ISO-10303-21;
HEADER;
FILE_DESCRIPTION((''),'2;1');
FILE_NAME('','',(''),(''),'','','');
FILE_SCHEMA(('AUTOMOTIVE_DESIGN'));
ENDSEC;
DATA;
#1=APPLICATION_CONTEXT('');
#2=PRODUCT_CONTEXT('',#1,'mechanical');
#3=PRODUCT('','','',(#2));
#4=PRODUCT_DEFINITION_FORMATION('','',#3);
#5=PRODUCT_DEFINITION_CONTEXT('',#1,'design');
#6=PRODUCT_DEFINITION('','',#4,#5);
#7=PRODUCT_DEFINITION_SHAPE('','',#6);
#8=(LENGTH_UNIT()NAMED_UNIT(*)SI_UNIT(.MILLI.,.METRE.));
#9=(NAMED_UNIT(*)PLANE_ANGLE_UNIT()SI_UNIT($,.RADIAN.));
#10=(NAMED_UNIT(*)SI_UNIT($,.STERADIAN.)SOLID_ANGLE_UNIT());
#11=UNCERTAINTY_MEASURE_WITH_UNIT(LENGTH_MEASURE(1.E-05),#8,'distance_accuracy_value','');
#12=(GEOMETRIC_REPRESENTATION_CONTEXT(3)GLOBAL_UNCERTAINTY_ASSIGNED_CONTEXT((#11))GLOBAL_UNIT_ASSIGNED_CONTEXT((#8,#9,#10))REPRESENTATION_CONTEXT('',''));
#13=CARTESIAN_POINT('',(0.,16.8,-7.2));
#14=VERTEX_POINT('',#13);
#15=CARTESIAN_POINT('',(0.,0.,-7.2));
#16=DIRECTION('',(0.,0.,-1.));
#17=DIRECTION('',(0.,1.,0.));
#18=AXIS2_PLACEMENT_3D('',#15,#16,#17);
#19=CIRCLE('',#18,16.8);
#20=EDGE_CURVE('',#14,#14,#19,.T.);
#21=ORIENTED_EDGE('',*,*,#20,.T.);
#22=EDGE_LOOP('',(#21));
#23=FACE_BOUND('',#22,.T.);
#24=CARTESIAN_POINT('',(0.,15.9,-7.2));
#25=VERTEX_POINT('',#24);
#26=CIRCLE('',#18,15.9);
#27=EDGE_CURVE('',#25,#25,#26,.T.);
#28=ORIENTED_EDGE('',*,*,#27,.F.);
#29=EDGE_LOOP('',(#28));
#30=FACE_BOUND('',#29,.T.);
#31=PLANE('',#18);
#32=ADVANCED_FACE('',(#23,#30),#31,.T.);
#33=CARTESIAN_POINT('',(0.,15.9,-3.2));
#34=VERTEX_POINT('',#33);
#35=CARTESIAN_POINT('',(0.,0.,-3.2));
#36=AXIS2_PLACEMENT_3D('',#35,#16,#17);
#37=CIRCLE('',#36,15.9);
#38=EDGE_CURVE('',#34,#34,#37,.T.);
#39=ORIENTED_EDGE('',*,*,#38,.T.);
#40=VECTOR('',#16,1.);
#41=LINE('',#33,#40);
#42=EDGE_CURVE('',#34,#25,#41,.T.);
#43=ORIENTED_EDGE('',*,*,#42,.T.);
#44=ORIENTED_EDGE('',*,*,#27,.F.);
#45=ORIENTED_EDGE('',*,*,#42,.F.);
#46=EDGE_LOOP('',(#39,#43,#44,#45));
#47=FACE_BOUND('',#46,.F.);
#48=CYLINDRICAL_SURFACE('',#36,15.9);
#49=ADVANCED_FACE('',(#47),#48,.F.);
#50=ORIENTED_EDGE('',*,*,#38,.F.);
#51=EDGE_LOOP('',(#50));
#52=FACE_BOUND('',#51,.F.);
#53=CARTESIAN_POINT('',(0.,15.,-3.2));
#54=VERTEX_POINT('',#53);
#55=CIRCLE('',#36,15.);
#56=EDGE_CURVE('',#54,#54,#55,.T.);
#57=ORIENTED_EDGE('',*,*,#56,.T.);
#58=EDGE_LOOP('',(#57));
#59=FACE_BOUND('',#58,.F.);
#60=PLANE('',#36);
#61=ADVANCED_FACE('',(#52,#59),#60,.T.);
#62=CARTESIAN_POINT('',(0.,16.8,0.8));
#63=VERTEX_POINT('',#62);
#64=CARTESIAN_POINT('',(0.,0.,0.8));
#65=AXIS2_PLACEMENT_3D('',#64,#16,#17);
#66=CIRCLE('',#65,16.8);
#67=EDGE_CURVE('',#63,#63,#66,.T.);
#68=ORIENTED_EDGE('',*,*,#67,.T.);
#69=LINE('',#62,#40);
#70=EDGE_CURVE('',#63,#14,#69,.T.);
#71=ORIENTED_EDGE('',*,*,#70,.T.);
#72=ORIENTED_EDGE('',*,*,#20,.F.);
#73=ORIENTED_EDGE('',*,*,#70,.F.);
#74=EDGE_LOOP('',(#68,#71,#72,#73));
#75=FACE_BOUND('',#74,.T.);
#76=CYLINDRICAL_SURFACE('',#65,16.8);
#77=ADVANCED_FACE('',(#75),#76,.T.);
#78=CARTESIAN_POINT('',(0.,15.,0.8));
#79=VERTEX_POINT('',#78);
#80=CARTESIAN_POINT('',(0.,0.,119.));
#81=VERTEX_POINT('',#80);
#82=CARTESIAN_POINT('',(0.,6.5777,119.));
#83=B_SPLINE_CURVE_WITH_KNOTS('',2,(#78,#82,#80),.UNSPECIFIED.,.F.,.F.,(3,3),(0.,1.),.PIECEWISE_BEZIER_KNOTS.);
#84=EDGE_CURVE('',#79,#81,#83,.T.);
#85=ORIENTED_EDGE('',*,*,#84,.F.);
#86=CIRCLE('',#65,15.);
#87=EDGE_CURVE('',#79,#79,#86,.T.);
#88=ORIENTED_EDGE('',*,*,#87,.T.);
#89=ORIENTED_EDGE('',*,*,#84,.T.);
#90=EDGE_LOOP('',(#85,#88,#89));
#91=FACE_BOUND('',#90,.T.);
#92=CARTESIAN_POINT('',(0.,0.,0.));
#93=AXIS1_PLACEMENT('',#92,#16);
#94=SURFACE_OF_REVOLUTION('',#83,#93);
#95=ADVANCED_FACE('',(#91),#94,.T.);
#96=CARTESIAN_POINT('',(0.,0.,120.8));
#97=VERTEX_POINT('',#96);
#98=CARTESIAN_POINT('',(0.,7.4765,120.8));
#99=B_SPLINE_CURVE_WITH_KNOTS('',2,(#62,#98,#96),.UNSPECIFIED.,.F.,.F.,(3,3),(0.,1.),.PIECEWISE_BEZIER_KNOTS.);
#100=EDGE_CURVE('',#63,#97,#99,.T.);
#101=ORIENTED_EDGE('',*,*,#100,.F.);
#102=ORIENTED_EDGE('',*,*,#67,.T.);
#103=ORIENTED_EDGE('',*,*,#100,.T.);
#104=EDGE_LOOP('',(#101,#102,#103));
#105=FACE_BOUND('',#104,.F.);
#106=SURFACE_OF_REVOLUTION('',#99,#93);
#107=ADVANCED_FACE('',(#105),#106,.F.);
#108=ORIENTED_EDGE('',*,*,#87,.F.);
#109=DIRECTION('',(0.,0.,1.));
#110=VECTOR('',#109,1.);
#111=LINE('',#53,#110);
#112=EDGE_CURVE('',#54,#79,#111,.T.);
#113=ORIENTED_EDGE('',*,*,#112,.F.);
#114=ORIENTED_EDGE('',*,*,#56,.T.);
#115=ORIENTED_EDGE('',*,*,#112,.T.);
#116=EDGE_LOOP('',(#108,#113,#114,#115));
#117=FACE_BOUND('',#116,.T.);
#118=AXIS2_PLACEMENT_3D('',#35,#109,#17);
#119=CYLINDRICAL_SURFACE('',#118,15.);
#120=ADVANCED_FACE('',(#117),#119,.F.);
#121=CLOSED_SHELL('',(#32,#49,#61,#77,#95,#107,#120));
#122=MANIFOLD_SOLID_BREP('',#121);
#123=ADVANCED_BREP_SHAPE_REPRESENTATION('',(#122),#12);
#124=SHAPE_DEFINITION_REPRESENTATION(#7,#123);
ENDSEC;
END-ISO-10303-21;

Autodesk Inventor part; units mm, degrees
ref_plane "YZ Plane" through (0, 0, 0) normal (1, 0, 0) x (0, 1, 0)
ref_plane "XZ Plane" through (0, 0, 0) normal (0, 1, 0) x (-1, 0, 0)
ref_plane "XY Plane" through (0, 0, 0) normal (0, 0, 1) x (1, 0, 0)
sketch "Sketch1" plane through (0, 0, 0) normal (1, 0, 0) x (0, 1, 0)
  spline S0 degree 2 poles (16.8, 0.8) (7.4765, 120.8) (0, 120.8) knots 0 0 0 1 1 1
  spline S1 degree 2 poles (15, 0.8) (6.5777, 119) (0, 119) knots 0 0 0 1 1 1
  line L0 (0, 147.71) -> (0, -33.9517) projected
  line L1 (0, 120.8) -> (0, 119)
  line L2 (0.9491, 119) -> (-0.9491, 119) construction
  line L3 (1.0883, 120.8) -> (-1.0883, 120.8) construction
  line L4 (16.8, 0.8) -> (16.8, -7.2)
  line L5 (16.8, -7.2) -> (15.9, -7.2)
  line L6 (15, -3.2) -> (15, 0.8)
  line L7 (15, -3.2) -> (15.9, -3.2)
  line L8 (15.9, -3.2) -> (15.9, -7.2)
  point P0 (0, 118.2679)
  point P1 (0.527, 117.976)
  point P2 (-1.0599, 118.5496)
  point P3 (0, 119.8684)
  point P4 (0.6361, 119.749)
  point P5 (-1.1427, 120.3492)
  dimension "d62" = 15
  dimension "d64" = 118.2
  dimension "d65" = 120
  dimension "d69" = 1.8
  dimension "d70" = 0.9
  dimension "d71" = 0.9
  dimension "d72" = 8
  dimension "d75" = 4
  dimension "d76" = 4
  dimension "d77" = 154.91
revolve "Revolution4" add sketch "Sketch1" angle 360 about axis through (0, 0, 0) along (0, 0, -1)
properties part number "nose" material "ABS Plastic"
